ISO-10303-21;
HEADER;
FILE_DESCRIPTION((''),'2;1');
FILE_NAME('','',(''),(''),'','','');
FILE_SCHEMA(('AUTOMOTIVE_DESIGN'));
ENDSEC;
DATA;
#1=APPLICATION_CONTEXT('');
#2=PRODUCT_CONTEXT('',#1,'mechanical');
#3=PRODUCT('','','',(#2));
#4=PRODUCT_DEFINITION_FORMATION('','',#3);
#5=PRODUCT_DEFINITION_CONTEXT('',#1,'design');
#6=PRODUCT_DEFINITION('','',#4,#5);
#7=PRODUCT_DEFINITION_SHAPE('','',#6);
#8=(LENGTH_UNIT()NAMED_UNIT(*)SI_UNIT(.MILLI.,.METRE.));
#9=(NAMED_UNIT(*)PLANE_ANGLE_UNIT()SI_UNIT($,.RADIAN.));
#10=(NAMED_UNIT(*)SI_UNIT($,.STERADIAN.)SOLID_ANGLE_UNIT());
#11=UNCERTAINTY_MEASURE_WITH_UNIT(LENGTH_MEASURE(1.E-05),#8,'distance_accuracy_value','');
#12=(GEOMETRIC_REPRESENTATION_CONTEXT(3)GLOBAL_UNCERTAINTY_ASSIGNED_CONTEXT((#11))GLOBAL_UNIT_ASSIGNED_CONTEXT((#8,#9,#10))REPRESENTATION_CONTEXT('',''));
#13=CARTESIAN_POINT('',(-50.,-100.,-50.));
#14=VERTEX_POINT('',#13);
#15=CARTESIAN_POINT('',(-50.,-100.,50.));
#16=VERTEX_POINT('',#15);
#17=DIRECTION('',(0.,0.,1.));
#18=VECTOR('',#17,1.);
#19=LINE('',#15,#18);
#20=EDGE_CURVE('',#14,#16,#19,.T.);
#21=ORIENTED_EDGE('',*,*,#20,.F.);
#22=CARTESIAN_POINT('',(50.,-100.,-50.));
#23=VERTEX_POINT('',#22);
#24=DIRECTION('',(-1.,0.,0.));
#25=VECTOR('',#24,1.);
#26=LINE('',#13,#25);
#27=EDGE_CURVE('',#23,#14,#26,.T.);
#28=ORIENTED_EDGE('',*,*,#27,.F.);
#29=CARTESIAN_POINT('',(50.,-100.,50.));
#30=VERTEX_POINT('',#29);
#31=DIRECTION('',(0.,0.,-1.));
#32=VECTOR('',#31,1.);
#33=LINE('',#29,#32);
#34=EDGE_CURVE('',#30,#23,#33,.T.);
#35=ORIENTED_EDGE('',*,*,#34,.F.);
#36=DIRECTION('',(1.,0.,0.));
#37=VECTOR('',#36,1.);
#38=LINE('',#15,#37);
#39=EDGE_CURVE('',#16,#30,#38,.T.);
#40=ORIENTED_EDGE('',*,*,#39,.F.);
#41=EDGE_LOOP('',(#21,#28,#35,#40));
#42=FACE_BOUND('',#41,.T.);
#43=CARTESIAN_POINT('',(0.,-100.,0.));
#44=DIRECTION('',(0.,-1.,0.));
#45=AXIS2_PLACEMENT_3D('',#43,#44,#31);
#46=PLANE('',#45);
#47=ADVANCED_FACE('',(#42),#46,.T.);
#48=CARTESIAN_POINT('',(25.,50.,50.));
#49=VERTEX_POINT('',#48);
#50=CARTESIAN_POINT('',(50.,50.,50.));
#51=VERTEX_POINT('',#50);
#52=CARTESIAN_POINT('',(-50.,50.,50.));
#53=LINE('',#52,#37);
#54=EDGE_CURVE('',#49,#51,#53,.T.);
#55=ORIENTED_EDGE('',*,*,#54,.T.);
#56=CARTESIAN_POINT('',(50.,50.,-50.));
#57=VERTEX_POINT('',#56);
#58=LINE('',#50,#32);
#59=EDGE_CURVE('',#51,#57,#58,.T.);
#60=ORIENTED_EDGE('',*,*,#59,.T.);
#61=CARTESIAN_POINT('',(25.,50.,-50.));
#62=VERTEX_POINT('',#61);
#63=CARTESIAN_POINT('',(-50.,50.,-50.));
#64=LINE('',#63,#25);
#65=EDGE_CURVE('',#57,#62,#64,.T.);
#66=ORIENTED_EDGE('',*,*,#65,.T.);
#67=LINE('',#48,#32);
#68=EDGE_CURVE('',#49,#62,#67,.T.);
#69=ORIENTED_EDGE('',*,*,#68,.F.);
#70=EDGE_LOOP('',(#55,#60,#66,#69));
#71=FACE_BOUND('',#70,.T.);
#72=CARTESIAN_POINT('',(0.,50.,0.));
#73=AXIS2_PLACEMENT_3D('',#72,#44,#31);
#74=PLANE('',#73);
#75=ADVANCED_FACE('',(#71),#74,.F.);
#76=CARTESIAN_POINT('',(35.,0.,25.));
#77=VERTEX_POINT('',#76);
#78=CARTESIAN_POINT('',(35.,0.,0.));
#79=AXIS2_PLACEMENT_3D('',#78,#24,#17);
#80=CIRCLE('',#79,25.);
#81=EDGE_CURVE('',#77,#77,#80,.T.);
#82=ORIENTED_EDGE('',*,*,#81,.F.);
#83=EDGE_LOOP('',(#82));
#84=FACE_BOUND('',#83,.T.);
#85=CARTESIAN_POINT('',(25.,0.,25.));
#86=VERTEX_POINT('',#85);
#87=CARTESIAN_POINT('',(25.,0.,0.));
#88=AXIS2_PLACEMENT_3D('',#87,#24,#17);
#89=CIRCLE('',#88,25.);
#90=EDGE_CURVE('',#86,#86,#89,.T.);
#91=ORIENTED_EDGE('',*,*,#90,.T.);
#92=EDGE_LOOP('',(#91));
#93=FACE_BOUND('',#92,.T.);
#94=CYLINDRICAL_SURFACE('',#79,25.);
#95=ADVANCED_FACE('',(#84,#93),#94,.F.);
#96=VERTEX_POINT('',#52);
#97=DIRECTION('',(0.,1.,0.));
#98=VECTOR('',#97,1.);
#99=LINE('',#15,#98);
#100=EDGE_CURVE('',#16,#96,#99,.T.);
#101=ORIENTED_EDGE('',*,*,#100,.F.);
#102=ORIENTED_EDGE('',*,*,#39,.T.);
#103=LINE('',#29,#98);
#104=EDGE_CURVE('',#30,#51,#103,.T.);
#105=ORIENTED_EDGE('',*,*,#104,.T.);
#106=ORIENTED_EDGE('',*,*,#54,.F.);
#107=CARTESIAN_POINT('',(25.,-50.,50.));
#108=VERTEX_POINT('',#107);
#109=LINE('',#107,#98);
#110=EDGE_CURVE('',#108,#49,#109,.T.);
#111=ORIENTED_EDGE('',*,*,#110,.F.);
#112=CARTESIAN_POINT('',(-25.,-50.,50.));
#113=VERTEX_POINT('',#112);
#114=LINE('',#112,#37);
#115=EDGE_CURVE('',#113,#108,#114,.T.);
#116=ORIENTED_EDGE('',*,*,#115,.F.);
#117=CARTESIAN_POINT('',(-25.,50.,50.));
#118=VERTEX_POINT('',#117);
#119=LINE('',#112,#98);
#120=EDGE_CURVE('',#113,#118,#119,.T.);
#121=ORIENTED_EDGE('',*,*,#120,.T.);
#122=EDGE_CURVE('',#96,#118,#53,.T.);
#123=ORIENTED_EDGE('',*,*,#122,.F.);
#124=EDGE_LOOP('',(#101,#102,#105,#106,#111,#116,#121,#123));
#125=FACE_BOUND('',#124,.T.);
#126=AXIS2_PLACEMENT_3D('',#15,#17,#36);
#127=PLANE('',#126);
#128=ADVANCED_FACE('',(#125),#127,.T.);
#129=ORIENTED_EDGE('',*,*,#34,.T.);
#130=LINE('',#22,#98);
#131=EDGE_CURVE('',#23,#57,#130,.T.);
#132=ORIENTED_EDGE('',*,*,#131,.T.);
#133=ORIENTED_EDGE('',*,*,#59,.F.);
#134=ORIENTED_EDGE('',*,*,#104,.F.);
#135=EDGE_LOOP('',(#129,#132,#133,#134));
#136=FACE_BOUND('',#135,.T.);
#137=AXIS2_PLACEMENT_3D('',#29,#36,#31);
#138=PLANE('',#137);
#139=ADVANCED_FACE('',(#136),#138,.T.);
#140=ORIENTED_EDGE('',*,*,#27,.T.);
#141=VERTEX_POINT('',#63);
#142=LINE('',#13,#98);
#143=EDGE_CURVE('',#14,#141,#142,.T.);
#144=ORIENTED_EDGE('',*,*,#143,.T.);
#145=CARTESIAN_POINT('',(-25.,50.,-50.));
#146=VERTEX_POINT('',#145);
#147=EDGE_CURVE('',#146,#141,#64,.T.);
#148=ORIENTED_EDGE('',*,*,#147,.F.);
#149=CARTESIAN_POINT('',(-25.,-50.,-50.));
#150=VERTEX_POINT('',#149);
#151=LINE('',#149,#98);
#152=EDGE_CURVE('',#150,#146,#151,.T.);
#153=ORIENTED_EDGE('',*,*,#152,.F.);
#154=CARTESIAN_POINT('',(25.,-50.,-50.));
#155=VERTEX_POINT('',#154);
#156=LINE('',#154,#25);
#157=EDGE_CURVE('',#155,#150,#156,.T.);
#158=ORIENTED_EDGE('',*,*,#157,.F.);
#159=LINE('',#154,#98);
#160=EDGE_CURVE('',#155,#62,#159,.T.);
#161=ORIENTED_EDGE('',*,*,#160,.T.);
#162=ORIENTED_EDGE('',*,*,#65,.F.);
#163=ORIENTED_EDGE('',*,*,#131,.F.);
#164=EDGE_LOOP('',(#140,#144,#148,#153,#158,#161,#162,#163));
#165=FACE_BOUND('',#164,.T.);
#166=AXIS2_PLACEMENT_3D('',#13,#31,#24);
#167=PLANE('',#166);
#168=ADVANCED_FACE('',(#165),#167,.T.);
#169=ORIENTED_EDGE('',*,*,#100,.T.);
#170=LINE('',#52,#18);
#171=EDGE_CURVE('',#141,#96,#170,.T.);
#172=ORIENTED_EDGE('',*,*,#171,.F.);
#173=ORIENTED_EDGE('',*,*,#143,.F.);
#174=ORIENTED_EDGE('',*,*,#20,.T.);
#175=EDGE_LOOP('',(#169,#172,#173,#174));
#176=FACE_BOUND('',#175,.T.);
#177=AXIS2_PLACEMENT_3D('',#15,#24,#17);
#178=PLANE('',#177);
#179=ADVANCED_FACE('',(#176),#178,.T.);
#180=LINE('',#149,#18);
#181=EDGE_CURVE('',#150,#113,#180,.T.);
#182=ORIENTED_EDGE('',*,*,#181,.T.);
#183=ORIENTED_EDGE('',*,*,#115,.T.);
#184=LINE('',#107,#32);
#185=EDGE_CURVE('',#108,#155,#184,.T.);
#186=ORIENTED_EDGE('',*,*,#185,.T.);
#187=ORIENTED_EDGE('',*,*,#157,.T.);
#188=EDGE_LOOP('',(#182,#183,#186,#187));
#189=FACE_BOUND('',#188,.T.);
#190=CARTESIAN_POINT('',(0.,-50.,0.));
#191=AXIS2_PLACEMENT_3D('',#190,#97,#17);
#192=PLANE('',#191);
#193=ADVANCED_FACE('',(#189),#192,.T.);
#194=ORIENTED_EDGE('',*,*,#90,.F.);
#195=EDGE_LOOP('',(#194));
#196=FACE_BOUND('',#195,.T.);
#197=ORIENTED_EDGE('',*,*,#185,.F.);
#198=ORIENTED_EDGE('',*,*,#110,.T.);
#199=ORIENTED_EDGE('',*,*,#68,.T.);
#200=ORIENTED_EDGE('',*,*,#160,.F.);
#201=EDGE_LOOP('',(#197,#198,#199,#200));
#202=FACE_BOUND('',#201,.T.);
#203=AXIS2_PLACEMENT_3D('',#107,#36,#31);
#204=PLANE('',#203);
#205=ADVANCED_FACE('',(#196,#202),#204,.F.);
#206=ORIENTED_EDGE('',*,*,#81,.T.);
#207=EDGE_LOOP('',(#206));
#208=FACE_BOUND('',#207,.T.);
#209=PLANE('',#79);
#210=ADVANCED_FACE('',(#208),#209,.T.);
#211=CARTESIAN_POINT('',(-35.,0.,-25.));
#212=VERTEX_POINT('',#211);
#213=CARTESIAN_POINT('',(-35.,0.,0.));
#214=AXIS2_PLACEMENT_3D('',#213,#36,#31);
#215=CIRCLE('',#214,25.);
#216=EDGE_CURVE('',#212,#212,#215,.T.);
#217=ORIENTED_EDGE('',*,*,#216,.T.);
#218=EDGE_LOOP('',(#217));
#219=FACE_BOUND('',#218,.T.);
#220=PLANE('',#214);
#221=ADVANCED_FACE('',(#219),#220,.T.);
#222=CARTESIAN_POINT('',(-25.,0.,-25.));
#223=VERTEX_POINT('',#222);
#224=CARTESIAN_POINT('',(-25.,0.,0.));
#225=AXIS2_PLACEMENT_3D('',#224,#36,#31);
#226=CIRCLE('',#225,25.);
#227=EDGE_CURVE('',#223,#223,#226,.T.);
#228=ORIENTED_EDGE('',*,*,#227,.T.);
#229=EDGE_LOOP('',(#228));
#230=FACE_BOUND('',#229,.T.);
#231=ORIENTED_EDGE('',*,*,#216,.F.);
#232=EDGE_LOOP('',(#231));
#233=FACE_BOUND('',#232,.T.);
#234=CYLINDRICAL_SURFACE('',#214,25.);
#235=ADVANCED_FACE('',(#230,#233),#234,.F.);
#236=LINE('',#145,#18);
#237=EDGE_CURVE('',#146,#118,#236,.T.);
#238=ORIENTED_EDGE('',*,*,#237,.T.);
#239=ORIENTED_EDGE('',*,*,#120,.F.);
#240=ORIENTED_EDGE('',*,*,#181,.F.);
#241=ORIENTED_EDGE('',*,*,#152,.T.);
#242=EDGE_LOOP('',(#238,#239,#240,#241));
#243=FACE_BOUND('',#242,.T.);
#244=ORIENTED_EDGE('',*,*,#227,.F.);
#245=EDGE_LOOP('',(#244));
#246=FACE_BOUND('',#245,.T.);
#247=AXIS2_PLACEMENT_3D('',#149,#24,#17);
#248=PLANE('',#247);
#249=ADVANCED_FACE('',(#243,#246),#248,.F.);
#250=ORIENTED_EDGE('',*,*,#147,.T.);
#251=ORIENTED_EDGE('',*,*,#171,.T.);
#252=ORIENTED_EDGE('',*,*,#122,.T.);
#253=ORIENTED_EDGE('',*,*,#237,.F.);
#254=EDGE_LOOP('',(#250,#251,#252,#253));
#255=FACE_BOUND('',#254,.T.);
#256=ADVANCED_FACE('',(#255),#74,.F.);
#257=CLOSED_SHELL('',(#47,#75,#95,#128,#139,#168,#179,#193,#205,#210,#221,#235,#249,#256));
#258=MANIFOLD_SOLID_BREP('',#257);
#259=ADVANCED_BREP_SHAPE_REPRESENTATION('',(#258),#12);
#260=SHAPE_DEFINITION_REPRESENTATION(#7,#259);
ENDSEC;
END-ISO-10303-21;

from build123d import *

# Parameters (mm, degrees)
EXTRUDE_1_DEPTH      = 50
EXTRUDE_1_DEPTH_BACK = 100
SKETCH_2_W           = 100
SKETCH_2_H           = 100
SKETCH_3_W           = 50
SKETCH_3_H           = 100
CUT_EXTRUDE_1_DEPTH  = 100
SKETCH_4_R           = 25
CUT_EXTRUDE_2_DEPTH  = 10
CUT_EXTRUDE_START    = -10
SKETCH_5_R           = 25
CUT_EXTRUDE_3_DEPTH  = 10


with BuildPart() as part:
    # 草图2 → 凸台-拉伸1 (new, two sides: drawn at the far end of the back side and taken through both)
    with BuildSketch(Plane(origin=(0, 0, 0), x_dir=(1, 0, 0), z_dir=(0, 1, 0)).offset(-EXTRUDE_1_DEPTH_BACK)):
        Rectangle(SKETCH_2_W, SKETCH_2_H)
    extrude(amount=EXTRUDE_1_DEPTH + EXTRUDE_1_DEPTH_BACK)

    # 草图3 → 切除-拉伸1 (cut)
    with BuildSketch(Plane(origin=(0, 50, 0), x_dir=(1, 0, 0), z_dir=(0, 1, 0))):
        Rectangle(SKETCH_3_W, SKETCH_3_H)
    extrude(amount=-CUT_EXTRUDE_1_DEPTH, mode=Mode.SUBTRACT)

    # 草图4 → 切除-拉伸2 (cut)
    with BuildSketch(Plane(origin=(-25, 0, 0), x_dir=(0, 0, -1), z_dir=(1, 0, 0))):
        Circle(SKETCH_4_R)
    extrude(amount=-CUT_EXTRUDE_2_DEPTH, mode=Mode.SUBTRACT)

    # 草图5 → 切除-拉伸3 (cut)
    with BuildSketch(Plane.ZY.offset(-25).offset(CUT_EXTRUDE_START)):
        with Locations(Location((0, 0, 0), (0, 0, 180))):
            Circle(SKETCH_5_R)
    extrude(amount=CUT_EXTRUDE_3_DEPTH, mode=Mode.SUBTRACT)


solid = part.part
